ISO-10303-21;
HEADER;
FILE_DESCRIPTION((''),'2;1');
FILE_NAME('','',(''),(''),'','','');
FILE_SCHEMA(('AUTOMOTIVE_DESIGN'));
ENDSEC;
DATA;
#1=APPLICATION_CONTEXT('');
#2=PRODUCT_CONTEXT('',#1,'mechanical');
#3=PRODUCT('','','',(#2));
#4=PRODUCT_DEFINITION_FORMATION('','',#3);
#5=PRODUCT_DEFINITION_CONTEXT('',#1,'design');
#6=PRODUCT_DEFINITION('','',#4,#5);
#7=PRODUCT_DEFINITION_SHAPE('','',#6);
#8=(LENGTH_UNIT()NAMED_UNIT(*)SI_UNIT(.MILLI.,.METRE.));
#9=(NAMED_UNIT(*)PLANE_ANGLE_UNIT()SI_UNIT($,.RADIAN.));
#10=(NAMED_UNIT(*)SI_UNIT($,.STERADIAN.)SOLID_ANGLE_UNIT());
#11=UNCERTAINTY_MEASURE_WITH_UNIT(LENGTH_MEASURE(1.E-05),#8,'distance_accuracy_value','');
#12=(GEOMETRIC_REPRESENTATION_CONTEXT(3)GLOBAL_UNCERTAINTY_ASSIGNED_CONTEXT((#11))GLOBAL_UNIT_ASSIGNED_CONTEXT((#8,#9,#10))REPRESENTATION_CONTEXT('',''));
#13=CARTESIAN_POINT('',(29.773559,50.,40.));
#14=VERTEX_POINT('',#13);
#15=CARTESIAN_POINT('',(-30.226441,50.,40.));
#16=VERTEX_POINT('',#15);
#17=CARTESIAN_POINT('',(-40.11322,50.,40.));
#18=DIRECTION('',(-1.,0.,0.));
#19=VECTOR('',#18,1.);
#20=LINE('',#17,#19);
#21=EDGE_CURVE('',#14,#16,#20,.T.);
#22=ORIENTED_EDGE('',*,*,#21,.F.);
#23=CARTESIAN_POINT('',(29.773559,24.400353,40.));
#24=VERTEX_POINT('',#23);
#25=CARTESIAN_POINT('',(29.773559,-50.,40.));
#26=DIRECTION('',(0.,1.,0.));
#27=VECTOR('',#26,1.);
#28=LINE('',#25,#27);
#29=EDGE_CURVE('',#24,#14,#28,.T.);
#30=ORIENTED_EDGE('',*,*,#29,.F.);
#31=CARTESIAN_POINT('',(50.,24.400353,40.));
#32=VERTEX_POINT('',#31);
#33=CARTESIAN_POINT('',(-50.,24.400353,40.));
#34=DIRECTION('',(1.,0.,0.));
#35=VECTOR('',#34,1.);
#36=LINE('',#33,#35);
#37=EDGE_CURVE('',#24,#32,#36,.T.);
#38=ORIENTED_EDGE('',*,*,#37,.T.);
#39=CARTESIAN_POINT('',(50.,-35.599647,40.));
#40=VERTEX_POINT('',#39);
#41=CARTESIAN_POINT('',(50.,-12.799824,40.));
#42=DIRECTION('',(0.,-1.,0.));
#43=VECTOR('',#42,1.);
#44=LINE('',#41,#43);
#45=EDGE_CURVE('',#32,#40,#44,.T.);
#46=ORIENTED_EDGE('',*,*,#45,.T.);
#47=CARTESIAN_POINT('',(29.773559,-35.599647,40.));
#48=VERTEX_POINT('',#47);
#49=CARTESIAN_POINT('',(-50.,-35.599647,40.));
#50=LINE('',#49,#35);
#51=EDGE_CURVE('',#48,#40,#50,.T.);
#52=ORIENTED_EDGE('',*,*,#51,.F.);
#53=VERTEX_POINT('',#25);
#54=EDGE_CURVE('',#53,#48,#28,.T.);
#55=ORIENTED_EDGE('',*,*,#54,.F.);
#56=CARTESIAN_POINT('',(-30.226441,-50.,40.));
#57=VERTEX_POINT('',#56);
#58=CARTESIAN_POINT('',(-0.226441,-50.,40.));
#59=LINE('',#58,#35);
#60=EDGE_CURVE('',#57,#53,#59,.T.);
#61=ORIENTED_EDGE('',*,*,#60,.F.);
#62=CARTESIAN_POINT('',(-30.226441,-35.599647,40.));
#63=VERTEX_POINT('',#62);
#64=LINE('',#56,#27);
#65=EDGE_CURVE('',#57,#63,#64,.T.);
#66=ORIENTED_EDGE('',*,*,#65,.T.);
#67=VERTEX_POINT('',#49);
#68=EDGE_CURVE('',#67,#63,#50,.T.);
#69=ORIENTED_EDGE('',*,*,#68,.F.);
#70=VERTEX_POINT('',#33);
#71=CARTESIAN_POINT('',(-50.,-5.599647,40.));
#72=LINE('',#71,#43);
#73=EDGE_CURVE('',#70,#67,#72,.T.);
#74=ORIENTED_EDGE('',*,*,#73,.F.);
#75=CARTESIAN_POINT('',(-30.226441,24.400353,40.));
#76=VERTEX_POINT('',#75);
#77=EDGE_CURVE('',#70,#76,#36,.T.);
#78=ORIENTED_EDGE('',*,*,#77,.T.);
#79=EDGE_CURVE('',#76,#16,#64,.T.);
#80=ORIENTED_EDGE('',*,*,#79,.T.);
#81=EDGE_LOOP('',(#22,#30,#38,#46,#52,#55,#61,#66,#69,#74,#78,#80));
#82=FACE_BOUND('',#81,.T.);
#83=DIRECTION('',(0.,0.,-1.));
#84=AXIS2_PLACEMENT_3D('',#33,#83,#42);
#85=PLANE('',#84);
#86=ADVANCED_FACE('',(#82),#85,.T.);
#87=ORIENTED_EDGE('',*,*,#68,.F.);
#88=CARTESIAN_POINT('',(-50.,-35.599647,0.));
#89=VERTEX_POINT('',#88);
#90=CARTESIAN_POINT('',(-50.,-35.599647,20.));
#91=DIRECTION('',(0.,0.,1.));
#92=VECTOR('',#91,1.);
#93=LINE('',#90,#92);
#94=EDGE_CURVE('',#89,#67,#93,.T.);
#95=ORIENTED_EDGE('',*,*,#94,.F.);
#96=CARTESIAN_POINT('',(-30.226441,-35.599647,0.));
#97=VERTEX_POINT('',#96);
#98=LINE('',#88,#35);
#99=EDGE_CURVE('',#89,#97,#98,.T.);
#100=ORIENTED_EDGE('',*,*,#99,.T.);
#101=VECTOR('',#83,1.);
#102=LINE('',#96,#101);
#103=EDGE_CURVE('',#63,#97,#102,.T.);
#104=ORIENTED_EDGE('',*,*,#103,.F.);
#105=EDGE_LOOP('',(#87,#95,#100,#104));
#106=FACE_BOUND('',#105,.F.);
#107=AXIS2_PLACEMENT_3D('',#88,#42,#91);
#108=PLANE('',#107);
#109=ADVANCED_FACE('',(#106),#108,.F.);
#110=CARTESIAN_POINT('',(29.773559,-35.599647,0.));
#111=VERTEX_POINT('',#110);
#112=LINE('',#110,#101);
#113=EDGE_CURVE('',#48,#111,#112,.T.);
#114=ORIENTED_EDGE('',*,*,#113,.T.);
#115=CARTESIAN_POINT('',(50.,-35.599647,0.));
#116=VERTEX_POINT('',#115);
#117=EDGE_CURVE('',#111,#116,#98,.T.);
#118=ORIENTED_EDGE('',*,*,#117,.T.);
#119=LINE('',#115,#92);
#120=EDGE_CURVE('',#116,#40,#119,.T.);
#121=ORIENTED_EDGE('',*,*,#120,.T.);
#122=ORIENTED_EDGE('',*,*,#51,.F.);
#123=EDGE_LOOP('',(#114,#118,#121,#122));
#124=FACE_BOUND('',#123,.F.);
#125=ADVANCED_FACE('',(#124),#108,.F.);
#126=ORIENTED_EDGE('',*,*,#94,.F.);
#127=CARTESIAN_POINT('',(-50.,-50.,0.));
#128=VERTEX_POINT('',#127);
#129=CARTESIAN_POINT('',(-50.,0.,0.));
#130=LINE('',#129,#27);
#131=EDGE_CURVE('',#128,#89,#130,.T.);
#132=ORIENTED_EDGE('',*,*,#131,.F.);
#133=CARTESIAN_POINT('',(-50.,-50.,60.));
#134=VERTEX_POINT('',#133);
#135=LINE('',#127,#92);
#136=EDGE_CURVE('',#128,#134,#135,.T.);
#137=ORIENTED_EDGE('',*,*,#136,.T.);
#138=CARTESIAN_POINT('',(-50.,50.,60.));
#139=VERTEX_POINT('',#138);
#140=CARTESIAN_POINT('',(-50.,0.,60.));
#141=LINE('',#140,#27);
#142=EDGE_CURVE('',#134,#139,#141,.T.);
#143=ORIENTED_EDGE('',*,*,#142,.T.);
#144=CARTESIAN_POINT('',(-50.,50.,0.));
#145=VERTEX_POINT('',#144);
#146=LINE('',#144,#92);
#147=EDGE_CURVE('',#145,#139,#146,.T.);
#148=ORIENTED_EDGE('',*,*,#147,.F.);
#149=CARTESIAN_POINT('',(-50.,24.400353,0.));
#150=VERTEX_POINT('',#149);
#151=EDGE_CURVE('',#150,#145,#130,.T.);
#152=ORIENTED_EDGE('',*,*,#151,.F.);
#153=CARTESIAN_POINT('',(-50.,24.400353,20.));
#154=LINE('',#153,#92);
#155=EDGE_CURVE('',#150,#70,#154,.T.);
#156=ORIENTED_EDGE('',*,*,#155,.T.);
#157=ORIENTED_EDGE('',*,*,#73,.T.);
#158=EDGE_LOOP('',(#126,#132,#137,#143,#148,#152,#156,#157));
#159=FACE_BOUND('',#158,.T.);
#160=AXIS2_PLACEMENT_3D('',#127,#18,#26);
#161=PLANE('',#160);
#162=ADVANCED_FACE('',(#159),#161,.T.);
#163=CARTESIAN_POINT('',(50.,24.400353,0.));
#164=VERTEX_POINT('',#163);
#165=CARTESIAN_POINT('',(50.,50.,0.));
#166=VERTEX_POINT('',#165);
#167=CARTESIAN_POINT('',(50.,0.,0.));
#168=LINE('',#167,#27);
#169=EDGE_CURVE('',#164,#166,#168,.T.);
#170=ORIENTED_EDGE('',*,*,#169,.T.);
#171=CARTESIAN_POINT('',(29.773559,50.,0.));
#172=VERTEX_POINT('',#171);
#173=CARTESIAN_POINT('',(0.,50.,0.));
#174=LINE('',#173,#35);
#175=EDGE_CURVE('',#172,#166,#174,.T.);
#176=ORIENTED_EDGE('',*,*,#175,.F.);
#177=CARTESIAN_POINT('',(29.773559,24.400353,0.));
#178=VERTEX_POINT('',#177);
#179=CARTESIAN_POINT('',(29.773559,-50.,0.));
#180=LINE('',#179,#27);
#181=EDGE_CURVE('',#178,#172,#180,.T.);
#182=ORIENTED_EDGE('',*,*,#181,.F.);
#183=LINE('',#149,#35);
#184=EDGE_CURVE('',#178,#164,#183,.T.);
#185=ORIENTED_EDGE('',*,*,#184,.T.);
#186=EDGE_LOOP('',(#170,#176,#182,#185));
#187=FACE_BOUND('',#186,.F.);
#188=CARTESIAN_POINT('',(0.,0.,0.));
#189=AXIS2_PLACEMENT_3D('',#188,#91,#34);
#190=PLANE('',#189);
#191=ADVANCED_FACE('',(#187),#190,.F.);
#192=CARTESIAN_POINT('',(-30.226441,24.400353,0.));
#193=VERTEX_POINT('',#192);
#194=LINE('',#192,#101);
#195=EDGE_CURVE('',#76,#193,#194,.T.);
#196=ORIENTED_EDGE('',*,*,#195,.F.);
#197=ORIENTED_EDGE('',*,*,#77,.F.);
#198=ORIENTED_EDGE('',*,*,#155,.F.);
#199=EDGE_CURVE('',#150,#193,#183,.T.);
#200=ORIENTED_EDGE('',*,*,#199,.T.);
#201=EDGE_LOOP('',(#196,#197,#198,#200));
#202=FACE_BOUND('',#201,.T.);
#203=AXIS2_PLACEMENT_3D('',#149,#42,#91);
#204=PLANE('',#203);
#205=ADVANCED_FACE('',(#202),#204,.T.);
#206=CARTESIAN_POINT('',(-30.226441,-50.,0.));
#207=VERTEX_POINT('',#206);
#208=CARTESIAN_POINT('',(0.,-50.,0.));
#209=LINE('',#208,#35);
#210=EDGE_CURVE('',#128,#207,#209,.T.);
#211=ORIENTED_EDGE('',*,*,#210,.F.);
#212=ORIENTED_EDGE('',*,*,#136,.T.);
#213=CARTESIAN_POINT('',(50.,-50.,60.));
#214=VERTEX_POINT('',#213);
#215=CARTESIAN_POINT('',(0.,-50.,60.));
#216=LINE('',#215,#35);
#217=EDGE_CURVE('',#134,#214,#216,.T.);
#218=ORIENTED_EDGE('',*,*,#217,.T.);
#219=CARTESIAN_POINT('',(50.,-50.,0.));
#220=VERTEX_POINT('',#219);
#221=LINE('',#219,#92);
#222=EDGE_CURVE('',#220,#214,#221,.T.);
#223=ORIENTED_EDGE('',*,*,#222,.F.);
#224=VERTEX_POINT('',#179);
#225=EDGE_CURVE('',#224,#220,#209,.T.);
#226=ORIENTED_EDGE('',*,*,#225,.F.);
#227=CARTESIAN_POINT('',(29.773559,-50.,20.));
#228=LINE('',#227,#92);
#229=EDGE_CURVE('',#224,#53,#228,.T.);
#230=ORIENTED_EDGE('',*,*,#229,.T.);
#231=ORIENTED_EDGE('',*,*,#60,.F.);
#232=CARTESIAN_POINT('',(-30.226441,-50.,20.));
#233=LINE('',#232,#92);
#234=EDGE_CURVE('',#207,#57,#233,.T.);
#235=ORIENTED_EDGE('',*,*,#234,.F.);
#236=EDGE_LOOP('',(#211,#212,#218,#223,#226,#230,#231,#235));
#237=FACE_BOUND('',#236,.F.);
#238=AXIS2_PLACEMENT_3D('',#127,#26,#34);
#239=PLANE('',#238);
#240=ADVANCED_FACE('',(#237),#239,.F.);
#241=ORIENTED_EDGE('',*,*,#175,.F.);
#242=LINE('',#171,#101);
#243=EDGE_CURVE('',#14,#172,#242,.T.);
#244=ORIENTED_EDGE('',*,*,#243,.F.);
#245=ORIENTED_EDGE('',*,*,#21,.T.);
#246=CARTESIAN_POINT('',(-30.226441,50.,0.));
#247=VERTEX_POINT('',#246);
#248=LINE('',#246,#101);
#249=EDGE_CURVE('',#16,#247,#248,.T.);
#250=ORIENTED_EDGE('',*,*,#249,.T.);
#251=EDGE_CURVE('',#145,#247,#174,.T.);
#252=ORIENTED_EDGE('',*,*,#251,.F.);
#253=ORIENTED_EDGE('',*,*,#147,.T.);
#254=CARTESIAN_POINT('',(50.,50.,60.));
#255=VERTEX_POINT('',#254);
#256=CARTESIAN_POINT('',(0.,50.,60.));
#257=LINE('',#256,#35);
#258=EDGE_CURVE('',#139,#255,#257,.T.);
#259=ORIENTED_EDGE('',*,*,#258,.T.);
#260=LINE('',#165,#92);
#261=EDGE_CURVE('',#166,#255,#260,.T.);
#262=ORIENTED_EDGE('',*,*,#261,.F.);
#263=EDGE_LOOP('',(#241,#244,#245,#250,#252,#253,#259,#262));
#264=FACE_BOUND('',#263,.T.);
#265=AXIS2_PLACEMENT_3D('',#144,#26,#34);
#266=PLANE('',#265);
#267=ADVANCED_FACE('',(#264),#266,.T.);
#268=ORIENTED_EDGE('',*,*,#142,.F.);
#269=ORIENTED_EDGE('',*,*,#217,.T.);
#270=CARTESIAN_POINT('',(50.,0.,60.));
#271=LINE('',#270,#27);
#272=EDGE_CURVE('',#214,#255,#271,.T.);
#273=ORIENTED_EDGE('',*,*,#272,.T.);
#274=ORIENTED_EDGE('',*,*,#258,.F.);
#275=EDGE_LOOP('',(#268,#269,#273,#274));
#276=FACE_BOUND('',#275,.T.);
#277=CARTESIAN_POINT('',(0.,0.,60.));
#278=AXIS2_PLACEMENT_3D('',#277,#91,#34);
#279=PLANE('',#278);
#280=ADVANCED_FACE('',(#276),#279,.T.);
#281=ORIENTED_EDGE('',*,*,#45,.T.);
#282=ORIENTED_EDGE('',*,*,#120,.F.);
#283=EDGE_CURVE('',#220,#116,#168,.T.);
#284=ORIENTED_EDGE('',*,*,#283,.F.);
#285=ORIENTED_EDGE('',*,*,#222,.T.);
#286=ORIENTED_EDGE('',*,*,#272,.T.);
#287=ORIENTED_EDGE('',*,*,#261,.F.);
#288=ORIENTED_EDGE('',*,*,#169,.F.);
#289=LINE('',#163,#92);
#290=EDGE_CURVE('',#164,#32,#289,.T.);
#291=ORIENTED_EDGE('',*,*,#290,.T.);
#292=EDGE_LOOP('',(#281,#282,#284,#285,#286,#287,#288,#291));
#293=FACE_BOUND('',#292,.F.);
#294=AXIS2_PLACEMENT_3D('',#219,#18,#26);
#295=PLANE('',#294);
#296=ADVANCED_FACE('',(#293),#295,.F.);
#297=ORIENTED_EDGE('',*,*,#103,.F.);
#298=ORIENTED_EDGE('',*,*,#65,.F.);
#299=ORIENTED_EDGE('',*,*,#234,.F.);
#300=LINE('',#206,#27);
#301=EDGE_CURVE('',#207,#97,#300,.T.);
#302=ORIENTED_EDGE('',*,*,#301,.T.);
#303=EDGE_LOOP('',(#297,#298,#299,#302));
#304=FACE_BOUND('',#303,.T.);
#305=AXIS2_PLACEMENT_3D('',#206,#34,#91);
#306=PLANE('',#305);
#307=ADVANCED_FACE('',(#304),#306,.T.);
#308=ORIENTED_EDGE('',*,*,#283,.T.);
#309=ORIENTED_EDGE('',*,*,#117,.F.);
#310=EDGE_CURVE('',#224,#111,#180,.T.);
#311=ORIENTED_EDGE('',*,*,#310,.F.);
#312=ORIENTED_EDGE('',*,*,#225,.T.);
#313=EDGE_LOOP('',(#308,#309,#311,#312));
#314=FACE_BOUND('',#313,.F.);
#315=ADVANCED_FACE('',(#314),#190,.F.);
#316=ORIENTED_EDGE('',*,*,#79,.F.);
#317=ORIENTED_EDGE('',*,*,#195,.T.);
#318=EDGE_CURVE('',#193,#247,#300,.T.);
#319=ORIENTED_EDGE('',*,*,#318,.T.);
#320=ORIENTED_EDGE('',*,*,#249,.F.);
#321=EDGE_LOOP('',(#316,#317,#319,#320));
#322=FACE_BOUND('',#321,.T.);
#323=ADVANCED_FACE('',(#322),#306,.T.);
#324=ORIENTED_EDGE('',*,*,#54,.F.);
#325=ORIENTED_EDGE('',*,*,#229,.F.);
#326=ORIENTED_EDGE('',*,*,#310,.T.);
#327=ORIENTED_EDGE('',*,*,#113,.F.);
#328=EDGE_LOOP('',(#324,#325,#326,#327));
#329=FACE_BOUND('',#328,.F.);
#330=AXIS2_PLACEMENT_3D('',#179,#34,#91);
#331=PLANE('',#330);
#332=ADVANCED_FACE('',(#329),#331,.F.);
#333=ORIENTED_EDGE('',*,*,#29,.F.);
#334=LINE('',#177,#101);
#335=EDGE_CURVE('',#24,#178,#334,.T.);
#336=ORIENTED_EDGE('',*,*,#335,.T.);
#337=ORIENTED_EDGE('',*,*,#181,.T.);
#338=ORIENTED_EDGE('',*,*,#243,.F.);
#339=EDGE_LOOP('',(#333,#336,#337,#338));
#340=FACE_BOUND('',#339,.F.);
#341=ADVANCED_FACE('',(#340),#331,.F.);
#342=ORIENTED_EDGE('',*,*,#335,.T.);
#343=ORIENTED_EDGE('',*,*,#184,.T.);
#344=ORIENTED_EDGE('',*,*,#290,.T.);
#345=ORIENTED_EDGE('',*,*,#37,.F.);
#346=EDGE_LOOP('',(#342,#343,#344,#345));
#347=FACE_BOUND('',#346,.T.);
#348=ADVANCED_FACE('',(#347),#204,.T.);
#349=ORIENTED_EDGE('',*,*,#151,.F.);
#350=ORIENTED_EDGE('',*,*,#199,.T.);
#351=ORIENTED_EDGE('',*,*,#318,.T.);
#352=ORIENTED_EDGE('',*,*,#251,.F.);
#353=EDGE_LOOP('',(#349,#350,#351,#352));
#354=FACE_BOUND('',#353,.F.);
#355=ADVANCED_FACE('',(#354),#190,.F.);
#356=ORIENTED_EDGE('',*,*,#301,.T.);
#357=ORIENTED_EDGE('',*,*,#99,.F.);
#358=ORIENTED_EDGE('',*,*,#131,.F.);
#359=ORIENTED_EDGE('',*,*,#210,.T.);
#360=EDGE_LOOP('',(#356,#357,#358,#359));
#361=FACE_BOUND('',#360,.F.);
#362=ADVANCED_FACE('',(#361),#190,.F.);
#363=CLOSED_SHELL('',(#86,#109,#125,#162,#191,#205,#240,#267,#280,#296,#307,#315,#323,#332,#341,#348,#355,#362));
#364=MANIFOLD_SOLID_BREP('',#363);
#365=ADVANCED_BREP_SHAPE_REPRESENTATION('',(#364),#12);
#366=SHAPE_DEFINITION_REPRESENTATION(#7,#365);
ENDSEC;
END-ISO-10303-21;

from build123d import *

# Parameters (mm, degrees)
F0_W     = 100
F0_H     = 100
F1_DEPTH = 100
F2_W     = 100
F2_H     = 100
F3_DEPTH = 40
F4_W     = 60
F4_H     = 40
F5_DEPTH = 176
F6_W     = 60
F6_H     = 40
F7_DEPTH = 223


with BuildPart() as f1:
    # F0 (on Top) → F1 (new body)
    with BuildSketch(Plane.XY):
        Rectangle(F0_W, F0_H)
    extrude(amount=F1_DEPTH)

    # F2 (on face) → F3 (cut)
    with BuildSketch(Plane.XY.offset(100)):
        Rectangle(F2_W, F2_H)
    extrude(amount=-F3_DEPTH, mode=Mode.SUBTRACT)

    # F4 (on face) → F5 (cut)
    with BuildSketch(Plane.XZ.offset(50)):
        with Locations((-0.226441, 20)):
            Rectangle(F4_W, F4_H)
    extrude(amount=-F5_DEPTH, mode=Mode.SUBTRACT)

    # F6 (on face) → F7 (cut)
    with BuildSketch(Plane(origin=(-50, 0, 0), x_dir=(0, -1, 0), z_dir=(-1, 0, 0))):
        with Locations((5.599647, 20)):
            Rectangle(F6_W, F6_H)
    extrude(amount=-F7_DEPTH, mode=Mode.SUBTRACT)


solid = f1.part
